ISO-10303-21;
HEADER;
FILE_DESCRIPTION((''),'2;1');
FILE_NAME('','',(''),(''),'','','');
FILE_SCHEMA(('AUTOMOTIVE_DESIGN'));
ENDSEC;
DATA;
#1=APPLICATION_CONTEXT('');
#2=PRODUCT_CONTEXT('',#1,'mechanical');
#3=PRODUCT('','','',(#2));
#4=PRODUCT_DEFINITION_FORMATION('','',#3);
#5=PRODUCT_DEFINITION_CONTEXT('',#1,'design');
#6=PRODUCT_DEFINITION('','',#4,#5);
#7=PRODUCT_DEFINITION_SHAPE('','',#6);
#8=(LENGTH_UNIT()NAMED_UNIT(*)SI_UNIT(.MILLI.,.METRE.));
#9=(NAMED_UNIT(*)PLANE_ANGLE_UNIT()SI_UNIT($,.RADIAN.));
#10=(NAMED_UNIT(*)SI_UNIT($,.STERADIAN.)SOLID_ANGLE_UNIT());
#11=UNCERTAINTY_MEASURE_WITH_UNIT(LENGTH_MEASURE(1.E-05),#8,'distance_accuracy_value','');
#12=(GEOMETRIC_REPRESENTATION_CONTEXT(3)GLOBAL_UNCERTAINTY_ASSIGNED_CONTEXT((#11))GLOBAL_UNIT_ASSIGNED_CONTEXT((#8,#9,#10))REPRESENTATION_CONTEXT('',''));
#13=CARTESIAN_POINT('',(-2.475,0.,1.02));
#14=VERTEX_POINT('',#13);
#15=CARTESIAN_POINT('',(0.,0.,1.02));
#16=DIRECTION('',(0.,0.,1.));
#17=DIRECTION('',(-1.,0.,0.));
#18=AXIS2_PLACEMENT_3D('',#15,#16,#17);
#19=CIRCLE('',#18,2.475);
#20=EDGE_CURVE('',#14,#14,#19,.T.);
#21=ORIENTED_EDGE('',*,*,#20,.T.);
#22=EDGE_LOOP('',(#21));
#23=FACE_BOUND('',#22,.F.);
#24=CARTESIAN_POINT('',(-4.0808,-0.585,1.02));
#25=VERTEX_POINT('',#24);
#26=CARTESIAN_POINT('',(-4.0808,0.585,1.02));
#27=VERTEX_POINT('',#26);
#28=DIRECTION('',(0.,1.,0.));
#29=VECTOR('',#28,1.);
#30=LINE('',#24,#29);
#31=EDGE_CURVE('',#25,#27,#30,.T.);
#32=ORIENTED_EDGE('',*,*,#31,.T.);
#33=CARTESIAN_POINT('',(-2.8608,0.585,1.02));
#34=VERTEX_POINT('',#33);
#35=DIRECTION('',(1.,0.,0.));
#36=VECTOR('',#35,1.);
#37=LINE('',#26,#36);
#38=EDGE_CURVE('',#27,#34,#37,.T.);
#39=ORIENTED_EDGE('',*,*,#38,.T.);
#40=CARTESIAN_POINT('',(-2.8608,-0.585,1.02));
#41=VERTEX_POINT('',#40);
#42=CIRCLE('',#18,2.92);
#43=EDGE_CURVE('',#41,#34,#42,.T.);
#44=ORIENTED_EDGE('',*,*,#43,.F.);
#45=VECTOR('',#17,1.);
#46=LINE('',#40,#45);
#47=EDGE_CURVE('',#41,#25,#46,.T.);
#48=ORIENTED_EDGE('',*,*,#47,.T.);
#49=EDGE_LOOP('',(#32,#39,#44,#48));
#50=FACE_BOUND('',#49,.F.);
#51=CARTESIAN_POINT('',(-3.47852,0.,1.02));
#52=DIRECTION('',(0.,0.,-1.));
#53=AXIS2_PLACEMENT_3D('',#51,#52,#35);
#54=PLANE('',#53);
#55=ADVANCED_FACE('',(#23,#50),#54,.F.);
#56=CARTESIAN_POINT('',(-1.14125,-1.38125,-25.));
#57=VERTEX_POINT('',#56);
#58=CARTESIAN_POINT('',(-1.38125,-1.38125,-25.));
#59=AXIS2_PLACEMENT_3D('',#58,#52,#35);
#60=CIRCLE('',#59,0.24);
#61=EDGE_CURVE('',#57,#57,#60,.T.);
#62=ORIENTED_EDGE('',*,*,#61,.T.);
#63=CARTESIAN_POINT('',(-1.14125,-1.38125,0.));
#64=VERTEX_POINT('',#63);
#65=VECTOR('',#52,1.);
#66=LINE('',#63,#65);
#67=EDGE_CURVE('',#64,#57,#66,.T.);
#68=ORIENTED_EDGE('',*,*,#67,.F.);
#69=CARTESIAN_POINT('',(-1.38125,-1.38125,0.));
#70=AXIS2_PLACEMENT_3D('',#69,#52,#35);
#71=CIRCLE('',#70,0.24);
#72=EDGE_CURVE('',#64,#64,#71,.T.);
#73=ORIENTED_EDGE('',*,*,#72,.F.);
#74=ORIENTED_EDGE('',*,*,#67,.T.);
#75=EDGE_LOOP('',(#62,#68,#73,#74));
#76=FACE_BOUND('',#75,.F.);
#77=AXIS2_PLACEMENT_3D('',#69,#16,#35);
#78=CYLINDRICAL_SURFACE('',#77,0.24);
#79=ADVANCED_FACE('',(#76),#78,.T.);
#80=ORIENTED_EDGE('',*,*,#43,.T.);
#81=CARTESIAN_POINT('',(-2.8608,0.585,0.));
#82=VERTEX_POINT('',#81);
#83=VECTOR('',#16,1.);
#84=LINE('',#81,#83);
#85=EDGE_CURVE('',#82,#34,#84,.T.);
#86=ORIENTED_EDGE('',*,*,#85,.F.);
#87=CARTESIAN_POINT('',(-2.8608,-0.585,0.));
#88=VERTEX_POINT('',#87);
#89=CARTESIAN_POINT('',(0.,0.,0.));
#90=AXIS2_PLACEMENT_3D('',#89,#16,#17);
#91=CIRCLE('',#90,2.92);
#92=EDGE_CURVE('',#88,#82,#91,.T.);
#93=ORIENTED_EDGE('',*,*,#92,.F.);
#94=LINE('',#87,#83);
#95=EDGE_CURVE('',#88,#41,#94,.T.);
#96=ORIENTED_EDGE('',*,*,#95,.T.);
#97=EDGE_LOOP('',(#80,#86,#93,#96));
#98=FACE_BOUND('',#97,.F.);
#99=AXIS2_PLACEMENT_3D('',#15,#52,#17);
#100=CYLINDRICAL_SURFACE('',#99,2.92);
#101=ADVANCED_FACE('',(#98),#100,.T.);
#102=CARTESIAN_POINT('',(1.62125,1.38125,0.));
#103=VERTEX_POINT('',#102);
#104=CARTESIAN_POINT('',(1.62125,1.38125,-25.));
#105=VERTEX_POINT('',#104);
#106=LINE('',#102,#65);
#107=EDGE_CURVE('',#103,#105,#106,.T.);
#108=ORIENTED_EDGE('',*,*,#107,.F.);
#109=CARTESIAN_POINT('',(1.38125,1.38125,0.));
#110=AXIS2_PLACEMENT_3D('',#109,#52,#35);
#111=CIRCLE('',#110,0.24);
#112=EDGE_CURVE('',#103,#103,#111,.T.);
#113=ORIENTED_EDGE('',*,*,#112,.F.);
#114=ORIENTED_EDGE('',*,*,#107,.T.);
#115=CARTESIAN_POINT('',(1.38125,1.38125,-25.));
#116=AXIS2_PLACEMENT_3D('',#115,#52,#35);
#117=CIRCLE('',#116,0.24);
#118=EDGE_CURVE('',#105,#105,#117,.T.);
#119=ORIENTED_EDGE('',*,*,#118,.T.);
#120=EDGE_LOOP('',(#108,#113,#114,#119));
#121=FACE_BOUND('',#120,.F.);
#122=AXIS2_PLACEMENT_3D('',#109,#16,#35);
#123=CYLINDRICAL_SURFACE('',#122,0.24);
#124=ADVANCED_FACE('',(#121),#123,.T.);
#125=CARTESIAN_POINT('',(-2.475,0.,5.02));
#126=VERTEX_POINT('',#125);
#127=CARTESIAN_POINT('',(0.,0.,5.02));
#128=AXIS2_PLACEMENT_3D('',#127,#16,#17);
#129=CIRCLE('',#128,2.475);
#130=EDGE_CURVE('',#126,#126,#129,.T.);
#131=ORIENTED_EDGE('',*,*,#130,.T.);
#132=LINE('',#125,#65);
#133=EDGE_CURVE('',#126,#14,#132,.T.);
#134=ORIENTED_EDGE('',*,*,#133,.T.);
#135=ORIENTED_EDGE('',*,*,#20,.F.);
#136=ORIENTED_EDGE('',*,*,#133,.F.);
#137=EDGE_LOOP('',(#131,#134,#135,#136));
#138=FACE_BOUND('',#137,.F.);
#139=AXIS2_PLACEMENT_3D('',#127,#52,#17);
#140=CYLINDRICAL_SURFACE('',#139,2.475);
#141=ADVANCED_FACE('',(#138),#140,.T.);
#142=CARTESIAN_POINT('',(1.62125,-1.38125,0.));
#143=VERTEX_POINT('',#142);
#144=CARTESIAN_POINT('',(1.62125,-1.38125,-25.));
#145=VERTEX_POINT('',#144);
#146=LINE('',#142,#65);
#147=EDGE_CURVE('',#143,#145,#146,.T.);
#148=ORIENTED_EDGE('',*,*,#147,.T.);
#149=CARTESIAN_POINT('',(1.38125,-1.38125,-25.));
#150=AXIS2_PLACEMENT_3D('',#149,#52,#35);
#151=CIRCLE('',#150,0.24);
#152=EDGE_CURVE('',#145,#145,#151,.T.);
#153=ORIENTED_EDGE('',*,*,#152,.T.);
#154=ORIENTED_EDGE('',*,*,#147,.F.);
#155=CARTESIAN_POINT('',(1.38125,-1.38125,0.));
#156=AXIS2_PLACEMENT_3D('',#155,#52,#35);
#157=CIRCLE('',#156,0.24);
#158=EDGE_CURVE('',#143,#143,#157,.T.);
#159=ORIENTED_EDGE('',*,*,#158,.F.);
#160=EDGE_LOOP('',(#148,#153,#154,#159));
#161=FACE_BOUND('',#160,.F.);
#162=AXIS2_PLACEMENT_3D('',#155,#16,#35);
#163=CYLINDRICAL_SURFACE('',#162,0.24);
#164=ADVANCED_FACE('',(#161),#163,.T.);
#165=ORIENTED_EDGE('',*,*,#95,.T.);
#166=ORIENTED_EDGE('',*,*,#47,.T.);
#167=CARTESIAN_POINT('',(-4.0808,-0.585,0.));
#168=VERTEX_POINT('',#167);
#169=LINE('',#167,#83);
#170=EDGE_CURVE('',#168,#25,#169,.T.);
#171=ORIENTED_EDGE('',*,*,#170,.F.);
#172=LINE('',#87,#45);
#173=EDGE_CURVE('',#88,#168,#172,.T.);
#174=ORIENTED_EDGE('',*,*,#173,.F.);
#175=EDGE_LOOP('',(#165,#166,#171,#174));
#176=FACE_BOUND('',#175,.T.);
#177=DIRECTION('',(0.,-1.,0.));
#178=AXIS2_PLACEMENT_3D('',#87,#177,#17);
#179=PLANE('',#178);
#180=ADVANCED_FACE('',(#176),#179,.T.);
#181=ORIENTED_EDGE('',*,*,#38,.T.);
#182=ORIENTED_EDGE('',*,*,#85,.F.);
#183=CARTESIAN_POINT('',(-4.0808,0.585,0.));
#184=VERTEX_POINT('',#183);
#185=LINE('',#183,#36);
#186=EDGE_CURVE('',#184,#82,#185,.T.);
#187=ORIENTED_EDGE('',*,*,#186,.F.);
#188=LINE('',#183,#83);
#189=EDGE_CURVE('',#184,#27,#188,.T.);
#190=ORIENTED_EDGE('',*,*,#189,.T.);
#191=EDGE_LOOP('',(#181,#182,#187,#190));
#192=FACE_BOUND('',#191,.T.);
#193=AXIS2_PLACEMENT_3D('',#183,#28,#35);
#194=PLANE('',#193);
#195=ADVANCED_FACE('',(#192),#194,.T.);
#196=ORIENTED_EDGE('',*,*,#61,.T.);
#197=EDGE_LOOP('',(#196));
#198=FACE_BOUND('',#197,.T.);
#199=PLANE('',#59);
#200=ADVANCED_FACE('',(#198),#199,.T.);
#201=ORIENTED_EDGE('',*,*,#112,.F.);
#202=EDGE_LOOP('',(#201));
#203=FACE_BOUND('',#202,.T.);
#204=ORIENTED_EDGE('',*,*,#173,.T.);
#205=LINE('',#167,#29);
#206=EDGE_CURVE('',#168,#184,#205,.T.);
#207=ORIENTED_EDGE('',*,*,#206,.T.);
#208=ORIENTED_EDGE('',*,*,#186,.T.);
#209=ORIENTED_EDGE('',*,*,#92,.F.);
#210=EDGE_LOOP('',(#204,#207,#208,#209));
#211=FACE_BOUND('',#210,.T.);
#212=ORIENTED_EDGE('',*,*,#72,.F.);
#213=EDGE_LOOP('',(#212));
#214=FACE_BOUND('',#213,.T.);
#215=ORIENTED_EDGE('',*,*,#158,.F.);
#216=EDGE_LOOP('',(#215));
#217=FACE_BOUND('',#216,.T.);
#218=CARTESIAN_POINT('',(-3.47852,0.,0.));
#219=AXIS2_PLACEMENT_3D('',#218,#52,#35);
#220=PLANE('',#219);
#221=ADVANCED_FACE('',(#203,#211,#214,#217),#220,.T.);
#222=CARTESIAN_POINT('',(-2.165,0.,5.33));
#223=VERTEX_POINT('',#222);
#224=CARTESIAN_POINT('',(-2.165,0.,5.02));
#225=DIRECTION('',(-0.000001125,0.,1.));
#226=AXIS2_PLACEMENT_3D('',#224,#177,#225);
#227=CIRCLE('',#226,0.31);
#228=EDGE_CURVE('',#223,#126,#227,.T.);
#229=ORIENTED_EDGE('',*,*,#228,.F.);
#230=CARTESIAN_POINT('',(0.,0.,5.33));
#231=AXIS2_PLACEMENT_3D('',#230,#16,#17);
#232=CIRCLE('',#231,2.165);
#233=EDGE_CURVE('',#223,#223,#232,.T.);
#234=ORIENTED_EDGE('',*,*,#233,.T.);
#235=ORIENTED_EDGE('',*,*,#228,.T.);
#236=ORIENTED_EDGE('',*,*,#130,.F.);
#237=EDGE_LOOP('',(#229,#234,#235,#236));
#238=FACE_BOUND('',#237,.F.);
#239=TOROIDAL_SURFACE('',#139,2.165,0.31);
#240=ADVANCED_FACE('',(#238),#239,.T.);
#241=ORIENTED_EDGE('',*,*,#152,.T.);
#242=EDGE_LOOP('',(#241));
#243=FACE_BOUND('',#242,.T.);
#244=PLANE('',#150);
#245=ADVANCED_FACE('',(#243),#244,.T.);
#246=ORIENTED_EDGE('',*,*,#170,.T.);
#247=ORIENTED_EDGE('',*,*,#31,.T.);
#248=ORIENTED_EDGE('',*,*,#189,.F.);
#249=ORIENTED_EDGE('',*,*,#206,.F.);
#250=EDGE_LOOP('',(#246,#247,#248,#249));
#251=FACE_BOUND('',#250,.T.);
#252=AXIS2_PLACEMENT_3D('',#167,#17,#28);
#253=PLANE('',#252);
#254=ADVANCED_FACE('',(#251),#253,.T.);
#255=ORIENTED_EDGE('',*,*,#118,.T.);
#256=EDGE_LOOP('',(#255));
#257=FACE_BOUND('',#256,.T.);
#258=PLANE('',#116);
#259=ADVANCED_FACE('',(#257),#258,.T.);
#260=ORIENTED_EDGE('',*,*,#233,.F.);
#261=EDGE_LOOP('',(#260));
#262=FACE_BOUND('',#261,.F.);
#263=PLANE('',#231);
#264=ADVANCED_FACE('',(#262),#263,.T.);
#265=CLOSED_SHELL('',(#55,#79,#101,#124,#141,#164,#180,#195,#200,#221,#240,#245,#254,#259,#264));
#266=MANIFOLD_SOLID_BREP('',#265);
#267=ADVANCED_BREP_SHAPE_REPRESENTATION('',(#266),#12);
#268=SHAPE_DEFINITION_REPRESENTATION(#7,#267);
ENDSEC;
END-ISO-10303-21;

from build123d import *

# Parameters (mm, degrees)
F3_DEPTH = 1.02
F2_R     = 0.24
F4_DEPTH = 25


with BuildPart() as f1:
    # F0 (on Front) → F1 (revolve)
    with BuildSketch(Plane.XZ):
        with BuildLine():
            Line((0, 0), (0, 5.33))
            Line((0, 5.33), (-2.165, 5.33))
            ThreePointArc((-2.165, 5.33), (-2.384203, 5.239203), (-2.475, 5.02))
            Line((-2.475, 5.02), (-2.475, 1.02))
            Line((-2.475, 1.02), (-2.92, 1.02))
            Line((-2.92, 1.02), (-2.92, 0))
            Line((-2.92, 0), (0, 0))
        make_face()
    revolve(axis=Axis((0, 0, 2.665), (0, 0, 1)))

    # F2 (on face) → F3 (join)
    with BuildSketch(Plane(origin=(0, 0, 0), x_dir=(1, 0, 0), z_dir=(0, 0, -1))):
        with BuildLine():
            ThreePointArc((-2.8608, -0.585), (-2.92, 0), (-2.8608, 0.585))
            Line((-2.8608, 0.585), (-4.0808, 0.585))
            Line((-4.0808, 0.585), (-4.0808, -0.585))
            Line((-4.0808, -0.585), (-2.8608, -0.585))
        make_face()
    extrude(amount=-F3_DEPTH)

    # F2 (on face) → F4 (join)
    with BuildSketch(Plane(origin=(0, 0, 0), x_dir=(1, 0, 0), z_dir=(0, 0, -1))):
        with Locations((-1.38125, 1.38125)):
            Circle(F2_R)
        with Locations((1.38125, 1.38125)):
            Circle(F2_R)
        with Locations((1.38125, -1.38125)):
            Circle(F2_R)
    extrude(amount=F4_DEPTH)


solid = f1.part
